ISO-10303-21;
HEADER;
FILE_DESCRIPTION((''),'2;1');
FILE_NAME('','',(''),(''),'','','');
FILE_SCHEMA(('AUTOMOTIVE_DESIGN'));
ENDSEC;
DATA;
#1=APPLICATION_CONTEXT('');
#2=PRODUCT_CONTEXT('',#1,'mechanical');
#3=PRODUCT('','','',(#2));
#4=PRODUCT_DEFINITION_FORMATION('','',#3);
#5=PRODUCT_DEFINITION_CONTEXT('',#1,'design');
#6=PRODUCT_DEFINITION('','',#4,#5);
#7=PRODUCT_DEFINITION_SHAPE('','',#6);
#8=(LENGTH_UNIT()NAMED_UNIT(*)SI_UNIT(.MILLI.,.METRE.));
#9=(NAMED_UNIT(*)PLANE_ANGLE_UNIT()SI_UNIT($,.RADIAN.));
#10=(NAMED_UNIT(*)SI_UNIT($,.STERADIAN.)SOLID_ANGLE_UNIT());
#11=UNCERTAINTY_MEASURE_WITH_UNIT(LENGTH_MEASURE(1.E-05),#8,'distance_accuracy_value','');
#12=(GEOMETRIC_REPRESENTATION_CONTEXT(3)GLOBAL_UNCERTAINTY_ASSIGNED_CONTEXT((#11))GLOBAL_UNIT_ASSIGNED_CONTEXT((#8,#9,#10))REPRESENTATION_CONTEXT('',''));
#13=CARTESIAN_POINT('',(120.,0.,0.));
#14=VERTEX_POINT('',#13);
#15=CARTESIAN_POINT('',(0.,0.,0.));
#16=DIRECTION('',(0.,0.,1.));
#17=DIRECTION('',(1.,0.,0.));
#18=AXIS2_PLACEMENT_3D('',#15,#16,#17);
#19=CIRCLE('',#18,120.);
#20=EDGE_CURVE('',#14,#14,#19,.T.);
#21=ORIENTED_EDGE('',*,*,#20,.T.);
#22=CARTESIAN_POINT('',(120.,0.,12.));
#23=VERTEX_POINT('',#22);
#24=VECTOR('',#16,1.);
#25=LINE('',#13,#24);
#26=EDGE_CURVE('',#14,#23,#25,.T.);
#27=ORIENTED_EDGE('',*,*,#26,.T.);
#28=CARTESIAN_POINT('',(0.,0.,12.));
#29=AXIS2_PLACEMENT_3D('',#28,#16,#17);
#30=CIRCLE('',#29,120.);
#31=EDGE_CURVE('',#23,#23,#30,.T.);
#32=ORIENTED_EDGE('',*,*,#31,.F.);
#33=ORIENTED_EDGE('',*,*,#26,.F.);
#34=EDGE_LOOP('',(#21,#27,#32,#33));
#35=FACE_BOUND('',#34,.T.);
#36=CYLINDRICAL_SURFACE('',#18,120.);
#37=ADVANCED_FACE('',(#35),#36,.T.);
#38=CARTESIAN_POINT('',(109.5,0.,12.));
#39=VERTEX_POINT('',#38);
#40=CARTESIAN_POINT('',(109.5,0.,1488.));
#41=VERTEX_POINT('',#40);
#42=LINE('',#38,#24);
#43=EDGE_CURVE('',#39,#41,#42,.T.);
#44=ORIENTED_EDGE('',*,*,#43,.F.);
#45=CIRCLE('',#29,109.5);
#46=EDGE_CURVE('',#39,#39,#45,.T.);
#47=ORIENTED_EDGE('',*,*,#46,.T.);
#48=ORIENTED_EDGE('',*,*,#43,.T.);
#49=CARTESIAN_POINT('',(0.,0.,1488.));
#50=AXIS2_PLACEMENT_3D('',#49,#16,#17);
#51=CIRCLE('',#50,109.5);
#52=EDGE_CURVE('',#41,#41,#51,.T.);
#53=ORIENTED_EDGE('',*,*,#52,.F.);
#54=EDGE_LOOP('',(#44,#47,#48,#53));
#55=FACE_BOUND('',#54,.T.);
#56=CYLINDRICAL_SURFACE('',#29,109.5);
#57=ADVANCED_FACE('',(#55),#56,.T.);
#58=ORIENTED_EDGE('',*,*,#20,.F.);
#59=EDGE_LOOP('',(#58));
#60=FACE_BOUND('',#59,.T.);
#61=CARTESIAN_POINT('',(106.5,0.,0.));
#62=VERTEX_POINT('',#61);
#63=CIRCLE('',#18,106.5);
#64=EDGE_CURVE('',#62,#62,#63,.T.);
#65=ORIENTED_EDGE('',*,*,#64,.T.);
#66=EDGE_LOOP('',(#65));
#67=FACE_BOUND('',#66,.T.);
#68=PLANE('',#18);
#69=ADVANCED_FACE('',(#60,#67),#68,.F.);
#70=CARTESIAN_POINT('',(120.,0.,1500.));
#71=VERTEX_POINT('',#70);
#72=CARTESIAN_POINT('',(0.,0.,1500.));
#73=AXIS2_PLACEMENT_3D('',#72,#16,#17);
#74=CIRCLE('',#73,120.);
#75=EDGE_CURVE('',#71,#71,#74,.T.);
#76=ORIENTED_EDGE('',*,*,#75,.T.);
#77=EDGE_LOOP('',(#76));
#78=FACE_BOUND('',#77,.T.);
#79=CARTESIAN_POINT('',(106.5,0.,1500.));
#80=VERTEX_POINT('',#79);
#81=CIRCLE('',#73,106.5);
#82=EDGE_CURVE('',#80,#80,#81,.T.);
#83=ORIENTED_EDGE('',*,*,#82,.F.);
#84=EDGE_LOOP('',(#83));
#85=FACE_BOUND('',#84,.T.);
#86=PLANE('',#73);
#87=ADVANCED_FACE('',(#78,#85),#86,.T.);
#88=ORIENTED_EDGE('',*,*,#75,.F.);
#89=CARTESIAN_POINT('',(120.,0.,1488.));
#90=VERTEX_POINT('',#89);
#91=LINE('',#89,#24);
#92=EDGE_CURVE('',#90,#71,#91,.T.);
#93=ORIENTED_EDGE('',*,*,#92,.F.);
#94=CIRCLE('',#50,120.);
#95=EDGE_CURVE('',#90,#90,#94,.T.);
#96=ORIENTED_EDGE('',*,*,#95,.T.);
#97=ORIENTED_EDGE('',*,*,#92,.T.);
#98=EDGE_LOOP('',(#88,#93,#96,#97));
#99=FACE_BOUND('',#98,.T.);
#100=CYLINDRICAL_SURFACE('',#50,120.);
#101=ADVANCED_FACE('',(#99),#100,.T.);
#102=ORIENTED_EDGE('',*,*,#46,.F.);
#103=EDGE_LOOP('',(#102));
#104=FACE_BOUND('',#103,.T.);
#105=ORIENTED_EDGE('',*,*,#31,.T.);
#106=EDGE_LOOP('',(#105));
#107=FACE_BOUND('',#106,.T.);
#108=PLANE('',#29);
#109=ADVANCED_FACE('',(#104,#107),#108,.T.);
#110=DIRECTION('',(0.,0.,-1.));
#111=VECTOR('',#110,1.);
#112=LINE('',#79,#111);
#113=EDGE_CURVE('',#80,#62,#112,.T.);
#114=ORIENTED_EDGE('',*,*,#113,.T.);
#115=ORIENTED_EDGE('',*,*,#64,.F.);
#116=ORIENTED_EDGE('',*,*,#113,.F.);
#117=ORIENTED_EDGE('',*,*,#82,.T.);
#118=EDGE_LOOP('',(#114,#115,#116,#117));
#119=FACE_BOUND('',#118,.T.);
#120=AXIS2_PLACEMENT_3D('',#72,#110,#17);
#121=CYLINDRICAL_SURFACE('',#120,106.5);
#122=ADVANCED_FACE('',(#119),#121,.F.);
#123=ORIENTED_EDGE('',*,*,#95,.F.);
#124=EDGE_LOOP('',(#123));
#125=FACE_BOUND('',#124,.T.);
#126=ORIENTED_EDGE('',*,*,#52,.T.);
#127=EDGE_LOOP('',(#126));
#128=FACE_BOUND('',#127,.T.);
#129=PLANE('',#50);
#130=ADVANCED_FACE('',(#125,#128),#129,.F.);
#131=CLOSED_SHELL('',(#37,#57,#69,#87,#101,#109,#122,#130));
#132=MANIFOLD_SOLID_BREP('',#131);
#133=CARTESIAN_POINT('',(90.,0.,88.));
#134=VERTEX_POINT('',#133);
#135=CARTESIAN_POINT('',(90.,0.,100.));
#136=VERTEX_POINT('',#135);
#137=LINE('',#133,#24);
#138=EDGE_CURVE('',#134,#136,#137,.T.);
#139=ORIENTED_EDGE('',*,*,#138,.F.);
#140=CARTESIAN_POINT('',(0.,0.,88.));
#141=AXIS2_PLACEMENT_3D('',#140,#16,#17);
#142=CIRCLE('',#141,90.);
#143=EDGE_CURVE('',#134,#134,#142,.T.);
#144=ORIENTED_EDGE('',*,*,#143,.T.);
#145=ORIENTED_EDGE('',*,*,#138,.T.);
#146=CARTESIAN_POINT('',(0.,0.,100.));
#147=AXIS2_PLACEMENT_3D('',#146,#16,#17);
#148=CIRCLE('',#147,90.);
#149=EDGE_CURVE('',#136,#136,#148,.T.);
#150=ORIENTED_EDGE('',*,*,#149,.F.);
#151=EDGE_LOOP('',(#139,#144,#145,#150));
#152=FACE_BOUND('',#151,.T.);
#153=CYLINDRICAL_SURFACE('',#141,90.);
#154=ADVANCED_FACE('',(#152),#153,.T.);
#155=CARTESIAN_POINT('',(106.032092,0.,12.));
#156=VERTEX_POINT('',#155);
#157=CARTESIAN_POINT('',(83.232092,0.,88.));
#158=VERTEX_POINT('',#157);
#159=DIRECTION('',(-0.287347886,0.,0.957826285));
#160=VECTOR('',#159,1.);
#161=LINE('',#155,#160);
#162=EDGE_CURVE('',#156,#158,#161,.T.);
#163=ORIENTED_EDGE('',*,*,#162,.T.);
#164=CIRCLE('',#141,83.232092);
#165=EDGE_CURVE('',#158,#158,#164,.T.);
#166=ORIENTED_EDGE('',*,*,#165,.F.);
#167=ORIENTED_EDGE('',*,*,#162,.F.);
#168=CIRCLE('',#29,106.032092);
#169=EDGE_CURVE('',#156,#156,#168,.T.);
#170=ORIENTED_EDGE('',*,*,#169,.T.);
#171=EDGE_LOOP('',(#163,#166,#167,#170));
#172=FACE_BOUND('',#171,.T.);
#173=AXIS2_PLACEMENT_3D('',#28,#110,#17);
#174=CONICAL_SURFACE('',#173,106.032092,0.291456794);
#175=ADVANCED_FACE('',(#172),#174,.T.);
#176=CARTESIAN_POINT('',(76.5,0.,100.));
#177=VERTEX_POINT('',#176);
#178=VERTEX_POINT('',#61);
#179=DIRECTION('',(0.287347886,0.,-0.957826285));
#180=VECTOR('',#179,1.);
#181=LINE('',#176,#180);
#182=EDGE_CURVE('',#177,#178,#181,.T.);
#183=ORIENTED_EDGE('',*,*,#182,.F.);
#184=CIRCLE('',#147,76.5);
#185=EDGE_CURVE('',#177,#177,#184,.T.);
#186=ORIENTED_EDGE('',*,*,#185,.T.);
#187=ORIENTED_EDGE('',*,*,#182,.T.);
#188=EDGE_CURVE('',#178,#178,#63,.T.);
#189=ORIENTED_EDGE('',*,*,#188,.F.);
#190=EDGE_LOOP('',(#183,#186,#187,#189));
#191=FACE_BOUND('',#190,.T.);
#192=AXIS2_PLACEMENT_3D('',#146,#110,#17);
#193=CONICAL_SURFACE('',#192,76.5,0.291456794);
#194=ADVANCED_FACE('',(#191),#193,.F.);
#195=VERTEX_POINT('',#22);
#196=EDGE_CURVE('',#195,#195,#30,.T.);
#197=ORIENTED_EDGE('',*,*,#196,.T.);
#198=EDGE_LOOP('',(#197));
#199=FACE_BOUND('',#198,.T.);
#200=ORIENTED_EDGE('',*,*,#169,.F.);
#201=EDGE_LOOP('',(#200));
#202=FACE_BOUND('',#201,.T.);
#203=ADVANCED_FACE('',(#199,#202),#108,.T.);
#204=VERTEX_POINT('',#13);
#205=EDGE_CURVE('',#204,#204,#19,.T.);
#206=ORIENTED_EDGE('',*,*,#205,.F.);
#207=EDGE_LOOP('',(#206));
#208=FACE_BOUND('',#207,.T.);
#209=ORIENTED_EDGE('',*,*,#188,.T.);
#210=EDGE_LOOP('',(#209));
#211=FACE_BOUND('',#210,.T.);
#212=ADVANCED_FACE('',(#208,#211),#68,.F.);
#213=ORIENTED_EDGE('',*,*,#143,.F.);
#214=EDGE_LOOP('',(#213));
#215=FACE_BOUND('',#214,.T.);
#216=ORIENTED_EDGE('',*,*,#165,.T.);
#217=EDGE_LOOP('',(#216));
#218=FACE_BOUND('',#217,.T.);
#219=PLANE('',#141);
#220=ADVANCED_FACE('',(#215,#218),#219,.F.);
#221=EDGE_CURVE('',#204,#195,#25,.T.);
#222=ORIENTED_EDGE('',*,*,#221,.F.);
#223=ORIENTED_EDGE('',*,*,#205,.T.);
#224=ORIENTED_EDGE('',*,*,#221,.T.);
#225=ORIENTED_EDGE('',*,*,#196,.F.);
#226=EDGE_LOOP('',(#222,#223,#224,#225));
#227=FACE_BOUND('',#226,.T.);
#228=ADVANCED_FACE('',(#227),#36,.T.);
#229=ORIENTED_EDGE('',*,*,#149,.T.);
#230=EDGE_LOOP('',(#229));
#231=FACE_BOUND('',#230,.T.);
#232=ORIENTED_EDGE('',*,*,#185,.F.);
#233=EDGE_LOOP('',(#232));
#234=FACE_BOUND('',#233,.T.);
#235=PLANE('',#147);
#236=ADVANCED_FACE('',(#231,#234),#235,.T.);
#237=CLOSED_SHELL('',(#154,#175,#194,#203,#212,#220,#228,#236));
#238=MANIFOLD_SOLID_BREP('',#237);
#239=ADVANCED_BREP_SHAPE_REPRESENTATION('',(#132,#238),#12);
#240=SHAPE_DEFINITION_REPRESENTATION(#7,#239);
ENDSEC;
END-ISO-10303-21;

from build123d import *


with BuildPart() as f2:
    # F0 (on Front) → F2 (revolve)
    with BuildSketch(Plane.XZ):
        Polygon((106.5, 1500), (106.5, 0), (120, 0), (120, 12), (109.5, 12), (109.5, 1488), (120, 1488), (120, 1500), align=None)
    revolve(axis=Axis((0, 0, 45.711137), (0, 0, 1)))


with BuildPart() as f4:
    # F3 (on Front) → F4 (revolve)
    with BuildSketch(Plane.XZ):
        Polygon((76.5, 100), (106.5, 0), (120, 0), (120, 12), (106.032092, 12), (83.232092, 88), (90, 88), (90, 100), align=None)
    revolve(axis=Axis((0, 0, 45.711137), (0, 0, 1)))


solid = Compound([f2.part, f4.part])
